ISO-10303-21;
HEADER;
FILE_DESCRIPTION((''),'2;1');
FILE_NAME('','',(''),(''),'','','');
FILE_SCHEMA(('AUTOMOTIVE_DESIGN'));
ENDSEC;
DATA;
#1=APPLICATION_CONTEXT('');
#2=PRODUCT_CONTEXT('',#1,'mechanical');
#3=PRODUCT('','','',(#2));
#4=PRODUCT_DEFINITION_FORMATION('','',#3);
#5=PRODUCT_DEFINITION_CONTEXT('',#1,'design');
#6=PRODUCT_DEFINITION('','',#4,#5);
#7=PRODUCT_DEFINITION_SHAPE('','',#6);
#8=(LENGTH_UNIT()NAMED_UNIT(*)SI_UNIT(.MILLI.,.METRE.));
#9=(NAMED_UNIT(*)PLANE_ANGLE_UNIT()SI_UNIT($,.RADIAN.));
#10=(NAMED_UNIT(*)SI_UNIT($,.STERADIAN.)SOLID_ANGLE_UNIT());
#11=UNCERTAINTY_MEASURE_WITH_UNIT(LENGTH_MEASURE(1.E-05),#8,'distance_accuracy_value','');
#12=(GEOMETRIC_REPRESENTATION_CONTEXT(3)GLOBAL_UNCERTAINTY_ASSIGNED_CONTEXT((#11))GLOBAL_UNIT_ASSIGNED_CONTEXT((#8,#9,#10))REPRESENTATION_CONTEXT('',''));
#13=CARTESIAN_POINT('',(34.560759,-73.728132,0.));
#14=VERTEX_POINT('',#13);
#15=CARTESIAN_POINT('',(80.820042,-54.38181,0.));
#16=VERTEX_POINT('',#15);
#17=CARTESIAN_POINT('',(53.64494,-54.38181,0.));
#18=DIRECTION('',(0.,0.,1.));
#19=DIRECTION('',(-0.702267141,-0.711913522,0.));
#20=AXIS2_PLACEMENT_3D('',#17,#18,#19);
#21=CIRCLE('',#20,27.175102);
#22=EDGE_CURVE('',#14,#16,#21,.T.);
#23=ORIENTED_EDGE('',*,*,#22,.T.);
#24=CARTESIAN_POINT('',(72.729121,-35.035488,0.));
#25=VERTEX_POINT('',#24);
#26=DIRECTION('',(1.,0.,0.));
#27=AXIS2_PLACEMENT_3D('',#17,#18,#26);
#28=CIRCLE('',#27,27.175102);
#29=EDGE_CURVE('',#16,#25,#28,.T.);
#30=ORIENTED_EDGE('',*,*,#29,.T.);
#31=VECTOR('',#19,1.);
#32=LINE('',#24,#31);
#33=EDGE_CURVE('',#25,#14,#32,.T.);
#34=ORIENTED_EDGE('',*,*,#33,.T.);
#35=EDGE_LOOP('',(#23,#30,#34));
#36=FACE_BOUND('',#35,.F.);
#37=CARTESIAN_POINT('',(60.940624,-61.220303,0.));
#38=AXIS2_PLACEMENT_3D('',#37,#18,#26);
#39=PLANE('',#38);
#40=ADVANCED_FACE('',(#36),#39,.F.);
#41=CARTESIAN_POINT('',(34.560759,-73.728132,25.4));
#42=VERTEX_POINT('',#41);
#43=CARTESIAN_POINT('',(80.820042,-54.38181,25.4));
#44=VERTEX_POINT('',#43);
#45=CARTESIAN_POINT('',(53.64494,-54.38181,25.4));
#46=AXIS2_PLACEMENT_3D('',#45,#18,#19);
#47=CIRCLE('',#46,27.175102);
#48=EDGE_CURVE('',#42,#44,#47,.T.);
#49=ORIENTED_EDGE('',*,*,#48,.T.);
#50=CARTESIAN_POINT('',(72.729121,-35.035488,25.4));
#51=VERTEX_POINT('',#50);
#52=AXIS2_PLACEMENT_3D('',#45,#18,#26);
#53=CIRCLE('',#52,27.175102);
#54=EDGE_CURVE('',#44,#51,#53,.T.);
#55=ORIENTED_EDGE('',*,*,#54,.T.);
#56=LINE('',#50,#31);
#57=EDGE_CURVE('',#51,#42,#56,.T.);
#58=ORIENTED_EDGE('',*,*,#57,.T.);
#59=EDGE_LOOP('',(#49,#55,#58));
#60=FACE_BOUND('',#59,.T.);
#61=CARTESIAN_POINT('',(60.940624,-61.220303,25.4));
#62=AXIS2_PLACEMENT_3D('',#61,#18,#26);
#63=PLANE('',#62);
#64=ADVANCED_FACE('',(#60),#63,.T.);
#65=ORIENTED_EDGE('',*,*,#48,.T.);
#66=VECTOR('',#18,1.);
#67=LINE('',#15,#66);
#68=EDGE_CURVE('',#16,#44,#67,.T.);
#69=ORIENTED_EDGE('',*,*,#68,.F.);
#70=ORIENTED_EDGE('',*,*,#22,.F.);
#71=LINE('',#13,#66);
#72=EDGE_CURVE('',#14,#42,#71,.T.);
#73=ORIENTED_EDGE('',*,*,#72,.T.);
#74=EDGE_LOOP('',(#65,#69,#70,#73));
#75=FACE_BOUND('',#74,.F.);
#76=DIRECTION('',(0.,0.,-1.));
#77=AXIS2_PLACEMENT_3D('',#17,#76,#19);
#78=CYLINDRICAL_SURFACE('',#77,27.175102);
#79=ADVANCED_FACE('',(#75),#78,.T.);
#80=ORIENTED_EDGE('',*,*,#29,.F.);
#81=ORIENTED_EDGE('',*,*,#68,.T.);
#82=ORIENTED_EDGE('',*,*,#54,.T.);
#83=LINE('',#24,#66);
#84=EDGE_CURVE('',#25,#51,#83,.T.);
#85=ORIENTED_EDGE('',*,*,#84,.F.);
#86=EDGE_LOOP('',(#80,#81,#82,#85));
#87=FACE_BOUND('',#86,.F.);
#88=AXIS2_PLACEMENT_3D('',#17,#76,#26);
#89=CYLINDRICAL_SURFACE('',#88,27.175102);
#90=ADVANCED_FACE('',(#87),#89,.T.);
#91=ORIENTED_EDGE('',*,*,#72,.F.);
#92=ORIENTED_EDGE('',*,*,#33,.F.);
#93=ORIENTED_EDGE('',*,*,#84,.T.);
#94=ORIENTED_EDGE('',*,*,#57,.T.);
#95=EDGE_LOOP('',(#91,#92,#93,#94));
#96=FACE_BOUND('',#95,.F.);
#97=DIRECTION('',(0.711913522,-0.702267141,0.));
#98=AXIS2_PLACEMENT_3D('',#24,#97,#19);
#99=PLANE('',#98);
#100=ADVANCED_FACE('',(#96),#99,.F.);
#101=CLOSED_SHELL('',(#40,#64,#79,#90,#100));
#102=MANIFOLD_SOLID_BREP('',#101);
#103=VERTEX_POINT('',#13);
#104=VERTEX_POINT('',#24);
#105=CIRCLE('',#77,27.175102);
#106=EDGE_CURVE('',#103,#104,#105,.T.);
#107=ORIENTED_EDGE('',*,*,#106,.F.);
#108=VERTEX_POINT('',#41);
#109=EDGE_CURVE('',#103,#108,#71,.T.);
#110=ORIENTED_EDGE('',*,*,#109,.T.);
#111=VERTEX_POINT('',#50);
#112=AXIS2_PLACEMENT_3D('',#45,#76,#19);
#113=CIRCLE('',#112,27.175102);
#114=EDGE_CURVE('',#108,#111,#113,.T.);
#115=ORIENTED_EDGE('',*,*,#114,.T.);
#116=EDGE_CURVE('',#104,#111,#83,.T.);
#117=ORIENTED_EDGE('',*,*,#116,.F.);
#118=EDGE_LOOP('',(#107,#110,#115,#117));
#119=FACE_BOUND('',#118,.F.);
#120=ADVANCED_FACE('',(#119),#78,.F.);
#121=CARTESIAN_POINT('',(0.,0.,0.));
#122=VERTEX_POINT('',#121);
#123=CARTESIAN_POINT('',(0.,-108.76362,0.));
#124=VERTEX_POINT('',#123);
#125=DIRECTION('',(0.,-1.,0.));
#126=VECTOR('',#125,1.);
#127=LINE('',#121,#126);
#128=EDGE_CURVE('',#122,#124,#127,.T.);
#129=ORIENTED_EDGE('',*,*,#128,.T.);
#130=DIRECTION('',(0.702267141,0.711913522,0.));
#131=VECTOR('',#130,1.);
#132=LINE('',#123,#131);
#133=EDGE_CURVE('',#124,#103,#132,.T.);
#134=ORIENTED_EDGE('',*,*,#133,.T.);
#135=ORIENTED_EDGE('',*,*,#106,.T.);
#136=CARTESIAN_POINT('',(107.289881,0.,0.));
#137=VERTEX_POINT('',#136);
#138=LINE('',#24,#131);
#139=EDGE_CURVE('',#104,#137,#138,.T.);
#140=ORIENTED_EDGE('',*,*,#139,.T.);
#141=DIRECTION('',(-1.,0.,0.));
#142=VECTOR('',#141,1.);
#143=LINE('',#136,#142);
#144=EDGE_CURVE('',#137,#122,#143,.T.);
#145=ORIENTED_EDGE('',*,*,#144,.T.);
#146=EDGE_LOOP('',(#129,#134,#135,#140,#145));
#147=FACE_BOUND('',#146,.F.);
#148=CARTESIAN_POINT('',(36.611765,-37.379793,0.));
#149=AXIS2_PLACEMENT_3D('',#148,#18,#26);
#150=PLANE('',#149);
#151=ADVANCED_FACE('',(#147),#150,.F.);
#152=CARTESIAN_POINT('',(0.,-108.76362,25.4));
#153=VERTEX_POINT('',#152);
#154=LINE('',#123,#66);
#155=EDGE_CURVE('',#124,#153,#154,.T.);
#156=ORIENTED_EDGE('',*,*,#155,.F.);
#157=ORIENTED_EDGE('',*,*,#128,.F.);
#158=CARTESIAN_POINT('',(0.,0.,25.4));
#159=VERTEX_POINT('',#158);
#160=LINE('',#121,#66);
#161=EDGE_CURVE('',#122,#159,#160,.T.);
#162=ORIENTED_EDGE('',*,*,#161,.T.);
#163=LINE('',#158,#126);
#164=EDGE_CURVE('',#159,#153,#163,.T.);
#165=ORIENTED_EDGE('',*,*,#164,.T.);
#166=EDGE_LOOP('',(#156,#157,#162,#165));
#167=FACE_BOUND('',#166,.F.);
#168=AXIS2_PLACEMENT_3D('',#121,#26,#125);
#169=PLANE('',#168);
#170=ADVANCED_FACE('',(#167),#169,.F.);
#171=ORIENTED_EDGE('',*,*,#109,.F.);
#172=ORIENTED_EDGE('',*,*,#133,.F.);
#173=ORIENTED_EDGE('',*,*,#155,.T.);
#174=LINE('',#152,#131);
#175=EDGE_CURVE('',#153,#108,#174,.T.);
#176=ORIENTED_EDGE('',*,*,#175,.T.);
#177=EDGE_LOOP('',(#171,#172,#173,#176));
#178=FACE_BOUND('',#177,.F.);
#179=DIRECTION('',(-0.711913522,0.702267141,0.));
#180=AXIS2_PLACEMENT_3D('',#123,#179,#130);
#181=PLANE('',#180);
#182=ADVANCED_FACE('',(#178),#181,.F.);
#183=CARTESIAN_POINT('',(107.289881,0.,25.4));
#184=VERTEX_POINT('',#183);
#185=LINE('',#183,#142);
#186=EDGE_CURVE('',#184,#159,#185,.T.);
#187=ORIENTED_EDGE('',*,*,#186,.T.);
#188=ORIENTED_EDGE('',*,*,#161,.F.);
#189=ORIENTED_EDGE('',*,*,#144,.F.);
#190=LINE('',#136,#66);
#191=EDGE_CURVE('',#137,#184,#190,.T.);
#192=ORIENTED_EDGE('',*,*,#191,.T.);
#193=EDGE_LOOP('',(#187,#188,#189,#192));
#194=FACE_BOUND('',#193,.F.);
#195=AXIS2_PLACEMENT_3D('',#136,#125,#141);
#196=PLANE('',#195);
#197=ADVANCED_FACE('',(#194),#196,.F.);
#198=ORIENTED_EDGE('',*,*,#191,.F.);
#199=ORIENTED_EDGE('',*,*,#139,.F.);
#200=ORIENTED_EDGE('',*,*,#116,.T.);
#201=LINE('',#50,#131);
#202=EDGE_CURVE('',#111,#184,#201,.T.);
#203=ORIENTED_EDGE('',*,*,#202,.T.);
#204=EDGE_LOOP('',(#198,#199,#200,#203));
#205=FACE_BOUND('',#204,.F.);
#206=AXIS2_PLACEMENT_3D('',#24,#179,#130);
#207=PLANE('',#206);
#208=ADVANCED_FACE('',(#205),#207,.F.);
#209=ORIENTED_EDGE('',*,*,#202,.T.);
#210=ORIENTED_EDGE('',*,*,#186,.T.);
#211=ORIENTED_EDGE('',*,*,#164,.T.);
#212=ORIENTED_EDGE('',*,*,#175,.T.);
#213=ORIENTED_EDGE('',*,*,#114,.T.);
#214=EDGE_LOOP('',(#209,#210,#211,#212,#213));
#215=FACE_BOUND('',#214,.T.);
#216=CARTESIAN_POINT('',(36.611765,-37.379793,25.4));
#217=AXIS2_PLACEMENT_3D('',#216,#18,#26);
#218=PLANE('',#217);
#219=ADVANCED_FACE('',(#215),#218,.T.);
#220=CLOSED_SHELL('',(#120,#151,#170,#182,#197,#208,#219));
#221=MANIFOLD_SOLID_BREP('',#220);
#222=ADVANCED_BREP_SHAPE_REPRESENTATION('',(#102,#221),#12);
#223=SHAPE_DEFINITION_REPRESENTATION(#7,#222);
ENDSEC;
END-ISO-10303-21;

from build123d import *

# Parameters (mm, degrees)
F1_DEPTH = 25.4


with BuildPart() as f1:
    # F0 (on Top) → F1 (new body)
    with BuildSketch(Plane.XY):
        with BuildLine():
            Line((107.2898805141, 0), (0, 0))
            Line((0, 0), (0, -108.7636202574))
            Line((0, -108.7636202574), (34.5607594065, -73.7281323448))
            ThreePointArc((34.5607594065, -73.7281323448), (34.298618041, -35.2976292781), (72.7291211076, -35.0354879126))
            Line((72.7291211076, -35.0354879126), (107.2898805141, 0))
        make_face()
    extrude(amount=F1_DEPTH)


with BuildPart() as f1b:
    # F0 (on Top) → F1, piece 2 (new body)
    with BuildSketch(Plane.XY):
        with BuildLine():
            ThreePointArc((80.8200417661, -54.3818101287), (78.7158466413, -43.8967829424), (72.7291211076, -35.0354879126))
            Line((72.7291211076, -35.0354879126), (34.5607594065, -73.7281323448))
            ThreePointArc((34.5607594065, -73.7281323448), (64.1299674434, -79.4527165129), (80.8200417661, -54.3818101287))
        make_face()
    extrude(amount=F1_DEPTH)


solid = Compound([f1.part, f1b.part])
